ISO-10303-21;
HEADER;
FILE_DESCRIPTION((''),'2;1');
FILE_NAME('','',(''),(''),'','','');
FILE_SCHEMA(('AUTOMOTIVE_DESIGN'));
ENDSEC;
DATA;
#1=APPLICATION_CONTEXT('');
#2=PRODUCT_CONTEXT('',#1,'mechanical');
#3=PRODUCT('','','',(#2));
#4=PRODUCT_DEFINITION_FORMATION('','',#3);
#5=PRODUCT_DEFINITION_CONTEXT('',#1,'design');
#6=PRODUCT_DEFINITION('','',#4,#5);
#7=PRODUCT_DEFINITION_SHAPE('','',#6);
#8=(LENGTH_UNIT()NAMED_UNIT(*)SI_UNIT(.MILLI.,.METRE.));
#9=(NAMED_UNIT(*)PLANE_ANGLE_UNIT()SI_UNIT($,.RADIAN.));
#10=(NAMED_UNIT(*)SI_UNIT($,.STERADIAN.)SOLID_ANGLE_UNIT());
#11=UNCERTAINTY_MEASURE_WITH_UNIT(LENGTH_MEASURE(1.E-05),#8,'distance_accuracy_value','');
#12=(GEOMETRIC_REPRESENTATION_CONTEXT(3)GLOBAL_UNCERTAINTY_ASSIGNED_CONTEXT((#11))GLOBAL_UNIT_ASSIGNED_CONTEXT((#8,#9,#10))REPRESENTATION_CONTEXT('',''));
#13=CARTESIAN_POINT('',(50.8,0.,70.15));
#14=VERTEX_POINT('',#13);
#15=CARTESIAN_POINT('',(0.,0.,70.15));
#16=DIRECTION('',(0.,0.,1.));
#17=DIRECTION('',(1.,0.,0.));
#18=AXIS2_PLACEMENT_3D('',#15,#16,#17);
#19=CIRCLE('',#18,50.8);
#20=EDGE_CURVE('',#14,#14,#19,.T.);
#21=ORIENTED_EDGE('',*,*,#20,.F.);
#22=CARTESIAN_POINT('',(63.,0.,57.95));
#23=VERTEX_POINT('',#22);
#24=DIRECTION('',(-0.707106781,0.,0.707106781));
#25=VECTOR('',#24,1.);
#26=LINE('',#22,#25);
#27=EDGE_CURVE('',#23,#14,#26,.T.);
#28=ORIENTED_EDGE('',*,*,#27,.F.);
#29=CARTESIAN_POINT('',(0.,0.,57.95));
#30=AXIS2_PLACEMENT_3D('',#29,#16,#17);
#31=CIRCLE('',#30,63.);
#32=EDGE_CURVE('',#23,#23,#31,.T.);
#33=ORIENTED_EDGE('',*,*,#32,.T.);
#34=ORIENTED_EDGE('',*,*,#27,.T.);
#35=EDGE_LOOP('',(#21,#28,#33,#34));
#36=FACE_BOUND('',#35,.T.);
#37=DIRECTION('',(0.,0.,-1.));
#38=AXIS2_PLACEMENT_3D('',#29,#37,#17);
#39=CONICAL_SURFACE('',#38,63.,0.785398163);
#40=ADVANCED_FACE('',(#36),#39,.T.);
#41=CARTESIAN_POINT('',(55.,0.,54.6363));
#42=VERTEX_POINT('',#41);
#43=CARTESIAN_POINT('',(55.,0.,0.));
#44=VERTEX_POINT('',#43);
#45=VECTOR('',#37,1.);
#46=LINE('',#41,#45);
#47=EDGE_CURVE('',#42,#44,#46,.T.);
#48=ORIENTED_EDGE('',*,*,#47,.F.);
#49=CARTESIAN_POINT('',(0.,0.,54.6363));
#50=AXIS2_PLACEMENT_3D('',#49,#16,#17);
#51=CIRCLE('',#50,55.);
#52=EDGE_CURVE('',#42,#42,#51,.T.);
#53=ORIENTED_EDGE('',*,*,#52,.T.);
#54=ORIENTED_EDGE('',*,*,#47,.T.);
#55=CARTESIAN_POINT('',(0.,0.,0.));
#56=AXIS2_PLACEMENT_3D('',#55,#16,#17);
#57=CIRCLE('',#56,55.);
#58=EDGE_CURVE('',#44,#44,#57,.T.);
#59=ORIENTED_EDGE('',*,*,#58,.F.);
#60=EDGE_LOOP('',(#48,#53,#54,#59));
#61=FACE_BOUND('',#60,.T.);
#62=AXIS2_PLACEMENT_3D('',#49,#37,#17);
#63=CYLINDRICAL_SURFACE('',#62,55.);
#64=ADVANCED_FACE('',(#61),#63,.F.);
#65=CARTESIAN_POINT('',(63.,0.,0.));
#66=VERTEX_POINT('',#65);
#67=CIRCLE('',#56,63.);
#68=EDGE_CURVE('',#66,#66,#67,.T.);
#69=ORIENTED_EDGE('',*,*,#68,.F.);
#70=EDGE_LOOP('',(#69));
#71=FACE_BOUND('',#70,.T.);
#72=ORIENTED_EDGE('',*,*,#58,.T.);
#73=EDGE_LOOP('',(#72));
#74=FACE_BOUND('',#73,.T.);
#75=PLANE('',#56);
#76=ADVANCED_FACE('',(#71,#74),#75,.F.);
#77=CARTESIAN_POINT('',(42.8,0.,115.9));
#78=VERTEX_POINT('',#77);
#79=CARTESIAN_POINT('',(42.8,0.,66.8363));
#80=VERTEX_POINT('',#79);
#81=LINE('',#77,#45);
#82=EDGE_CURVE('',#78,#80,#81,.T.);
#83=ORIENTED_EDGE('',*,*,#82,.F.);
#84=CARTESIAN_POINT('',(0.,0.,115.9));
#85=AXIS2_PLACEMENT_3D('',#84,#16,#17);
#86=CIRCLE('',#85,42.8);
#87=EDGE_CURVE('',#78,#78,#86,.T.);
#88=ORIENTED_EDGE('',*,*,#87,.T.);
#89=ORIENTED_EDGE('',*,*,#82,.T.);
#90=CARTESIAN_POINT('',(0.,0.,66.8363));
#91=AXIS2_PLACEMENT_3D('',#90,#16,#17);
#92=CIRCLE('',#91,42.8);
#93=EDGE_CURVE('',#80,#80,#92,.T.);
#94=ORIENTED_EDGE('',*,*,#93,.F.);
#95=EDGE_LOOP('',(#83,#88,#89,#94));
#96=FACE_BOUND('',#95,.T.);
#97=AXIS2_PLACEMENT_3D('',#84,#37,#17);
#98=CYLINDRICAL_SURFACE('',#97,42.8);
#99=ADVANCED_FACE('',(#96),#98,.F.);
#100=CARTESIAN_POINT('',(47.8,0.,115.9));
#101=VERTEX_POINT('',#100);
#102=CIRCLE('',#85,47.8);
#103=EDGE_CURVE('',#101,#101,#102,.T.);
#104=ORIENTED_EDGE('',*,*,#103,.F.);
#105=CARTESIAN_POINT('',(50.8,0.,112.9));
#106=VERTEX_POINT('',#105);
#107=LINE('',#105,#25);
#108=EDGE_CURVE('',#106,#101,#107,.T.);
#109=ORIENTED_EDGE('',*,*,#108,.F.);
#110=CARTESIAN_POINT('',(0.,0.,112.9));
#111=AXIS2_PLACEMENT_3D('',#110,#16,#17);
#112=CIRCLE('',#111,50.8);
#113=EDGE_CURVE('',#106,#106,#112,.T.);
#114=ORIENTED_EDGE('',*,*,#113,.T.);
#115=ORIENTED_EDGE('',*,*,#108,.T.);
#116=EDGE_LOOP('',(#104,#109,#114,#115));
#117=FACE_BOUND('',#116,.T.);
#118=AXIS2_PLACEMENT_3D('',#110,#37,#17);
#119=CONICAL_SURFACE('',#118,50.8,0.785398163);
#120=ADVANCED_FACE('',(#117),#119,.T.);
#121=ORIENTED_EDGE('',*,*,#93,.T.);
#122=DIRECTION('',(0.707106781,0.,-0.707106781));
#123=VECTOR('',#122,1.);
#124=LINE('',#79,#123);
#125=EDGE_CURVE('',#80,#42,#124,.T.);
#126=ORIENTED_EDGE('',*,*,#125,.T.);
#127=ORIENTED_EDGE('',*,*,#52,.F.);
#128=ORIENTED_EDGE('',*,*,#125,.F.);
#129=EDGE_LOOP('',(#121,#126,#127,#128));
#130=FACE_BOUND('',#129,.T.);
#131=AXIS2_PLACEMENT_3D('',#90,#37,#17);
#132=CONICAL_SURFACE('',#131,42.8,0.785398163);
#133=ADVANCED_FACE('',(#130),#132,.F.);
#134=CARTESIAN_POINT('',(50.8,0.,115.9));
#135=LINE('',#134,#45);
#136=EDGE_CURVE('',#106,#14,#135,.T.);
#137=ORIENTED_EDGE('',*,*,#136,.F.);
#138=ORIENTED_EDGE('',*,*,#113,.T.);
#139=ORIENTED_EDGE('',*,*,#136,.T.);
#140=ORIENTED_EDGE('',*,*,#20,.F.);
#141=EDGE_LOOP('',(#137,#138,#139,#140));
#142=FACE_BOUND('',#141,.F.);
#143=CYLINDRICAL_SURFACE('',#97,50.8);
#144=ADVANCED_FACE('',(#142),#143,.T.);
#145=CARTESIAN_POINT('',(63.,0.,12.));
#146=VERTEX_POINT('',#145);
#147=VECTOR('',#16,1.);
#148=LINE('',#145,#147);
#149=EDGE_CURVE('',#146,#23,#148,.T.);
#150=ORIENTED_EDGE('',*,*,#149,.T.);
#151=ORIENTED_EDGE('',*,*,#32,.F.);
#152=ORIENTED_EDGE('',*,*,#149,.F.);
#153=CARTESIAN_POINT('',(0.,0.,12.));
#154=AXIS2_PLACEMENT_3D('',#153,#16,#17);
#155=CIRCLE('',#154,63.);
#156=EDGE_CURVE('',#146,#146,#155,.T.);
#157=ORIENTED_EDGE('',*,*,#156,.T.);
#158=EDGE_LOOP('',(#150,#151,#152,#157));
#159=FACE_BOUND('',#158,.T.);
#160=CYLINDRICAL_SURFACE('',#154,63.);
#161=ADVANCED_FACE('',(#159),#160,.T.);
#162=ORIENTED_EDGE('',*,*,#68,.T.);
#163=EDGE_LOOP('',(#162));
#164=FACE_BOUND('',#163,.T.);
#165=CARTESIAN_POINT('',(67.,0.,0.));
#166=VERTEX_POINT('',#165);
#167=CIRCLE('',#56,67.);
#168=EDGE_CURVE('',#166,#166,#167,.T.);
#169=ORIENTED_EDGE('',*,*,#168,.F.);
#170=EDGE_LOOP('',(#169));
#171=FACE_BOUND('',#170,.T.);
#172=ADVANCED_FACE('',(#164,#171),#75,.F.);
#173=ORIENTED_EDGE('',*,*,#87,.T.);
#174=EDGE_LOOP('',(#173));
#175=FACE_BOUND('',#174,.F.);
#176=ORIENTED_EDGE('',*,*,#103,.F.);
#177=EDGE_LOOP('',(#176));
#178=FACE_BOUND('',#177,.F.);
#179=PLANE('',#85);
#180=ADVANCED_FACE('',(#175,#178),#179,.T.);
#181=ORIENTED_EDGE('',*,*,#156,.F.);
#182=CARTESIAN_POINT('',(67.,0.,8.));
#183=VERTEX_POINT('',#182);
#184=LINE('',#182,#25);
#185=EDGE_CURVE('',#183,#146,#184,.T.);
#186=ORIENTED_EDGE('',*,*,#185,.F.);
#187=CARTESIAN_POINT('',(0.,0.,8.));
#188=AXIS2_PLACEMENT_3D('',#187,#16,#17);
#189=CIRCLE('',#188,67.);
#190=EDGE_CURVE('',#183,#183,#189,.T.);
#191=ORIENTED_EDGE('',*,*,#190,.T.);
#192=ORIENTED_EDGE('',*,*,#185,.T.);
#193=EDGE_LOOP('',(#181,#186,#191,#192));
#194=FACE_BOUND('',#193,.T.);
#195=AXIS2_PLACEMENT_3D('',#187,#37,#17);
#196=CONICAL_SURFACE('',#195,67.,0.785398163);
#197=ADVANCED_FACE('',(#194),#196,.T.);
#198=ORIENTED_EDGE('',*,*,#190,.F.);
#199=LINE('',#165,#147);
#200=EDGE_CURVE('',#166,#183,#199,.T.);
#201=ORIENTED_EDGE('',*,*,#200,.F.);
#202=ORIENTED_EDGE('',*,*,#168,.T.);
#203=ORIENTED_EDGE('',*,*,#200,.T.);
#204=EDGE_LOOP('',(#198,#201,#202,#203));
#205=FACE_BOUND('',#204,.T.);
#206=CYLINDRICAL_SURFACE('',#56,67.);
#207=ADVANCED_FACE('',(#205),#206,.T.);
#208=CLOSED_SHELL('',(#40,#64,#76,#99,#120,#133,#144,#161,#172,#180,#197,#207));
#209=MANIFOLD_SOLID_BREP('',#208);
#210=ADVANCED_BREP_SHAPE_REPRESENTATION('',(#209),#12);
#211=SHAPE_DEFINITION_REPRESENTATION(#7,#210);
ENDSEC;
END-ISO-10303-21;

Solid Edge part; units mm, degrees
sketch "Sketch1" plane through (0, 0, 0) normal (0, -1, 0) x (1, 0, 0)
  line L0 (42.8, 115.9) -> (42.8, 66.8363)
  line L1 (42.8, 66.8363) -> (55, 54.6363)
  line L2 (55, 54.6363) -> (55, 0)
  line L3 (55, 0) -> (63, 0)
  line L4 (63, 0) -> (67, 0)
  line L5 (67, 0) -> (67, 8)
  line L6 (67, 8) -> (63, 12)
  line L7 (63, 12) -> (63, 57.95)
  line L8 (63, 57.95) -> (50.8, 70.15)
  line L9 (50.8, 115.9) -> (50.8, 70.15)
  line L10 (42.8, 115.9) -> (50.8, 115.9)
revolve "RevolvedProtrusion1" add sketch "Sketch1" angle 360 about axis through (0, 0, 0) along (0, 0, 1)
chamfer "Chamfer1" distance 3 angle 45 1 edges at (-50.8, 0, 115.9)
